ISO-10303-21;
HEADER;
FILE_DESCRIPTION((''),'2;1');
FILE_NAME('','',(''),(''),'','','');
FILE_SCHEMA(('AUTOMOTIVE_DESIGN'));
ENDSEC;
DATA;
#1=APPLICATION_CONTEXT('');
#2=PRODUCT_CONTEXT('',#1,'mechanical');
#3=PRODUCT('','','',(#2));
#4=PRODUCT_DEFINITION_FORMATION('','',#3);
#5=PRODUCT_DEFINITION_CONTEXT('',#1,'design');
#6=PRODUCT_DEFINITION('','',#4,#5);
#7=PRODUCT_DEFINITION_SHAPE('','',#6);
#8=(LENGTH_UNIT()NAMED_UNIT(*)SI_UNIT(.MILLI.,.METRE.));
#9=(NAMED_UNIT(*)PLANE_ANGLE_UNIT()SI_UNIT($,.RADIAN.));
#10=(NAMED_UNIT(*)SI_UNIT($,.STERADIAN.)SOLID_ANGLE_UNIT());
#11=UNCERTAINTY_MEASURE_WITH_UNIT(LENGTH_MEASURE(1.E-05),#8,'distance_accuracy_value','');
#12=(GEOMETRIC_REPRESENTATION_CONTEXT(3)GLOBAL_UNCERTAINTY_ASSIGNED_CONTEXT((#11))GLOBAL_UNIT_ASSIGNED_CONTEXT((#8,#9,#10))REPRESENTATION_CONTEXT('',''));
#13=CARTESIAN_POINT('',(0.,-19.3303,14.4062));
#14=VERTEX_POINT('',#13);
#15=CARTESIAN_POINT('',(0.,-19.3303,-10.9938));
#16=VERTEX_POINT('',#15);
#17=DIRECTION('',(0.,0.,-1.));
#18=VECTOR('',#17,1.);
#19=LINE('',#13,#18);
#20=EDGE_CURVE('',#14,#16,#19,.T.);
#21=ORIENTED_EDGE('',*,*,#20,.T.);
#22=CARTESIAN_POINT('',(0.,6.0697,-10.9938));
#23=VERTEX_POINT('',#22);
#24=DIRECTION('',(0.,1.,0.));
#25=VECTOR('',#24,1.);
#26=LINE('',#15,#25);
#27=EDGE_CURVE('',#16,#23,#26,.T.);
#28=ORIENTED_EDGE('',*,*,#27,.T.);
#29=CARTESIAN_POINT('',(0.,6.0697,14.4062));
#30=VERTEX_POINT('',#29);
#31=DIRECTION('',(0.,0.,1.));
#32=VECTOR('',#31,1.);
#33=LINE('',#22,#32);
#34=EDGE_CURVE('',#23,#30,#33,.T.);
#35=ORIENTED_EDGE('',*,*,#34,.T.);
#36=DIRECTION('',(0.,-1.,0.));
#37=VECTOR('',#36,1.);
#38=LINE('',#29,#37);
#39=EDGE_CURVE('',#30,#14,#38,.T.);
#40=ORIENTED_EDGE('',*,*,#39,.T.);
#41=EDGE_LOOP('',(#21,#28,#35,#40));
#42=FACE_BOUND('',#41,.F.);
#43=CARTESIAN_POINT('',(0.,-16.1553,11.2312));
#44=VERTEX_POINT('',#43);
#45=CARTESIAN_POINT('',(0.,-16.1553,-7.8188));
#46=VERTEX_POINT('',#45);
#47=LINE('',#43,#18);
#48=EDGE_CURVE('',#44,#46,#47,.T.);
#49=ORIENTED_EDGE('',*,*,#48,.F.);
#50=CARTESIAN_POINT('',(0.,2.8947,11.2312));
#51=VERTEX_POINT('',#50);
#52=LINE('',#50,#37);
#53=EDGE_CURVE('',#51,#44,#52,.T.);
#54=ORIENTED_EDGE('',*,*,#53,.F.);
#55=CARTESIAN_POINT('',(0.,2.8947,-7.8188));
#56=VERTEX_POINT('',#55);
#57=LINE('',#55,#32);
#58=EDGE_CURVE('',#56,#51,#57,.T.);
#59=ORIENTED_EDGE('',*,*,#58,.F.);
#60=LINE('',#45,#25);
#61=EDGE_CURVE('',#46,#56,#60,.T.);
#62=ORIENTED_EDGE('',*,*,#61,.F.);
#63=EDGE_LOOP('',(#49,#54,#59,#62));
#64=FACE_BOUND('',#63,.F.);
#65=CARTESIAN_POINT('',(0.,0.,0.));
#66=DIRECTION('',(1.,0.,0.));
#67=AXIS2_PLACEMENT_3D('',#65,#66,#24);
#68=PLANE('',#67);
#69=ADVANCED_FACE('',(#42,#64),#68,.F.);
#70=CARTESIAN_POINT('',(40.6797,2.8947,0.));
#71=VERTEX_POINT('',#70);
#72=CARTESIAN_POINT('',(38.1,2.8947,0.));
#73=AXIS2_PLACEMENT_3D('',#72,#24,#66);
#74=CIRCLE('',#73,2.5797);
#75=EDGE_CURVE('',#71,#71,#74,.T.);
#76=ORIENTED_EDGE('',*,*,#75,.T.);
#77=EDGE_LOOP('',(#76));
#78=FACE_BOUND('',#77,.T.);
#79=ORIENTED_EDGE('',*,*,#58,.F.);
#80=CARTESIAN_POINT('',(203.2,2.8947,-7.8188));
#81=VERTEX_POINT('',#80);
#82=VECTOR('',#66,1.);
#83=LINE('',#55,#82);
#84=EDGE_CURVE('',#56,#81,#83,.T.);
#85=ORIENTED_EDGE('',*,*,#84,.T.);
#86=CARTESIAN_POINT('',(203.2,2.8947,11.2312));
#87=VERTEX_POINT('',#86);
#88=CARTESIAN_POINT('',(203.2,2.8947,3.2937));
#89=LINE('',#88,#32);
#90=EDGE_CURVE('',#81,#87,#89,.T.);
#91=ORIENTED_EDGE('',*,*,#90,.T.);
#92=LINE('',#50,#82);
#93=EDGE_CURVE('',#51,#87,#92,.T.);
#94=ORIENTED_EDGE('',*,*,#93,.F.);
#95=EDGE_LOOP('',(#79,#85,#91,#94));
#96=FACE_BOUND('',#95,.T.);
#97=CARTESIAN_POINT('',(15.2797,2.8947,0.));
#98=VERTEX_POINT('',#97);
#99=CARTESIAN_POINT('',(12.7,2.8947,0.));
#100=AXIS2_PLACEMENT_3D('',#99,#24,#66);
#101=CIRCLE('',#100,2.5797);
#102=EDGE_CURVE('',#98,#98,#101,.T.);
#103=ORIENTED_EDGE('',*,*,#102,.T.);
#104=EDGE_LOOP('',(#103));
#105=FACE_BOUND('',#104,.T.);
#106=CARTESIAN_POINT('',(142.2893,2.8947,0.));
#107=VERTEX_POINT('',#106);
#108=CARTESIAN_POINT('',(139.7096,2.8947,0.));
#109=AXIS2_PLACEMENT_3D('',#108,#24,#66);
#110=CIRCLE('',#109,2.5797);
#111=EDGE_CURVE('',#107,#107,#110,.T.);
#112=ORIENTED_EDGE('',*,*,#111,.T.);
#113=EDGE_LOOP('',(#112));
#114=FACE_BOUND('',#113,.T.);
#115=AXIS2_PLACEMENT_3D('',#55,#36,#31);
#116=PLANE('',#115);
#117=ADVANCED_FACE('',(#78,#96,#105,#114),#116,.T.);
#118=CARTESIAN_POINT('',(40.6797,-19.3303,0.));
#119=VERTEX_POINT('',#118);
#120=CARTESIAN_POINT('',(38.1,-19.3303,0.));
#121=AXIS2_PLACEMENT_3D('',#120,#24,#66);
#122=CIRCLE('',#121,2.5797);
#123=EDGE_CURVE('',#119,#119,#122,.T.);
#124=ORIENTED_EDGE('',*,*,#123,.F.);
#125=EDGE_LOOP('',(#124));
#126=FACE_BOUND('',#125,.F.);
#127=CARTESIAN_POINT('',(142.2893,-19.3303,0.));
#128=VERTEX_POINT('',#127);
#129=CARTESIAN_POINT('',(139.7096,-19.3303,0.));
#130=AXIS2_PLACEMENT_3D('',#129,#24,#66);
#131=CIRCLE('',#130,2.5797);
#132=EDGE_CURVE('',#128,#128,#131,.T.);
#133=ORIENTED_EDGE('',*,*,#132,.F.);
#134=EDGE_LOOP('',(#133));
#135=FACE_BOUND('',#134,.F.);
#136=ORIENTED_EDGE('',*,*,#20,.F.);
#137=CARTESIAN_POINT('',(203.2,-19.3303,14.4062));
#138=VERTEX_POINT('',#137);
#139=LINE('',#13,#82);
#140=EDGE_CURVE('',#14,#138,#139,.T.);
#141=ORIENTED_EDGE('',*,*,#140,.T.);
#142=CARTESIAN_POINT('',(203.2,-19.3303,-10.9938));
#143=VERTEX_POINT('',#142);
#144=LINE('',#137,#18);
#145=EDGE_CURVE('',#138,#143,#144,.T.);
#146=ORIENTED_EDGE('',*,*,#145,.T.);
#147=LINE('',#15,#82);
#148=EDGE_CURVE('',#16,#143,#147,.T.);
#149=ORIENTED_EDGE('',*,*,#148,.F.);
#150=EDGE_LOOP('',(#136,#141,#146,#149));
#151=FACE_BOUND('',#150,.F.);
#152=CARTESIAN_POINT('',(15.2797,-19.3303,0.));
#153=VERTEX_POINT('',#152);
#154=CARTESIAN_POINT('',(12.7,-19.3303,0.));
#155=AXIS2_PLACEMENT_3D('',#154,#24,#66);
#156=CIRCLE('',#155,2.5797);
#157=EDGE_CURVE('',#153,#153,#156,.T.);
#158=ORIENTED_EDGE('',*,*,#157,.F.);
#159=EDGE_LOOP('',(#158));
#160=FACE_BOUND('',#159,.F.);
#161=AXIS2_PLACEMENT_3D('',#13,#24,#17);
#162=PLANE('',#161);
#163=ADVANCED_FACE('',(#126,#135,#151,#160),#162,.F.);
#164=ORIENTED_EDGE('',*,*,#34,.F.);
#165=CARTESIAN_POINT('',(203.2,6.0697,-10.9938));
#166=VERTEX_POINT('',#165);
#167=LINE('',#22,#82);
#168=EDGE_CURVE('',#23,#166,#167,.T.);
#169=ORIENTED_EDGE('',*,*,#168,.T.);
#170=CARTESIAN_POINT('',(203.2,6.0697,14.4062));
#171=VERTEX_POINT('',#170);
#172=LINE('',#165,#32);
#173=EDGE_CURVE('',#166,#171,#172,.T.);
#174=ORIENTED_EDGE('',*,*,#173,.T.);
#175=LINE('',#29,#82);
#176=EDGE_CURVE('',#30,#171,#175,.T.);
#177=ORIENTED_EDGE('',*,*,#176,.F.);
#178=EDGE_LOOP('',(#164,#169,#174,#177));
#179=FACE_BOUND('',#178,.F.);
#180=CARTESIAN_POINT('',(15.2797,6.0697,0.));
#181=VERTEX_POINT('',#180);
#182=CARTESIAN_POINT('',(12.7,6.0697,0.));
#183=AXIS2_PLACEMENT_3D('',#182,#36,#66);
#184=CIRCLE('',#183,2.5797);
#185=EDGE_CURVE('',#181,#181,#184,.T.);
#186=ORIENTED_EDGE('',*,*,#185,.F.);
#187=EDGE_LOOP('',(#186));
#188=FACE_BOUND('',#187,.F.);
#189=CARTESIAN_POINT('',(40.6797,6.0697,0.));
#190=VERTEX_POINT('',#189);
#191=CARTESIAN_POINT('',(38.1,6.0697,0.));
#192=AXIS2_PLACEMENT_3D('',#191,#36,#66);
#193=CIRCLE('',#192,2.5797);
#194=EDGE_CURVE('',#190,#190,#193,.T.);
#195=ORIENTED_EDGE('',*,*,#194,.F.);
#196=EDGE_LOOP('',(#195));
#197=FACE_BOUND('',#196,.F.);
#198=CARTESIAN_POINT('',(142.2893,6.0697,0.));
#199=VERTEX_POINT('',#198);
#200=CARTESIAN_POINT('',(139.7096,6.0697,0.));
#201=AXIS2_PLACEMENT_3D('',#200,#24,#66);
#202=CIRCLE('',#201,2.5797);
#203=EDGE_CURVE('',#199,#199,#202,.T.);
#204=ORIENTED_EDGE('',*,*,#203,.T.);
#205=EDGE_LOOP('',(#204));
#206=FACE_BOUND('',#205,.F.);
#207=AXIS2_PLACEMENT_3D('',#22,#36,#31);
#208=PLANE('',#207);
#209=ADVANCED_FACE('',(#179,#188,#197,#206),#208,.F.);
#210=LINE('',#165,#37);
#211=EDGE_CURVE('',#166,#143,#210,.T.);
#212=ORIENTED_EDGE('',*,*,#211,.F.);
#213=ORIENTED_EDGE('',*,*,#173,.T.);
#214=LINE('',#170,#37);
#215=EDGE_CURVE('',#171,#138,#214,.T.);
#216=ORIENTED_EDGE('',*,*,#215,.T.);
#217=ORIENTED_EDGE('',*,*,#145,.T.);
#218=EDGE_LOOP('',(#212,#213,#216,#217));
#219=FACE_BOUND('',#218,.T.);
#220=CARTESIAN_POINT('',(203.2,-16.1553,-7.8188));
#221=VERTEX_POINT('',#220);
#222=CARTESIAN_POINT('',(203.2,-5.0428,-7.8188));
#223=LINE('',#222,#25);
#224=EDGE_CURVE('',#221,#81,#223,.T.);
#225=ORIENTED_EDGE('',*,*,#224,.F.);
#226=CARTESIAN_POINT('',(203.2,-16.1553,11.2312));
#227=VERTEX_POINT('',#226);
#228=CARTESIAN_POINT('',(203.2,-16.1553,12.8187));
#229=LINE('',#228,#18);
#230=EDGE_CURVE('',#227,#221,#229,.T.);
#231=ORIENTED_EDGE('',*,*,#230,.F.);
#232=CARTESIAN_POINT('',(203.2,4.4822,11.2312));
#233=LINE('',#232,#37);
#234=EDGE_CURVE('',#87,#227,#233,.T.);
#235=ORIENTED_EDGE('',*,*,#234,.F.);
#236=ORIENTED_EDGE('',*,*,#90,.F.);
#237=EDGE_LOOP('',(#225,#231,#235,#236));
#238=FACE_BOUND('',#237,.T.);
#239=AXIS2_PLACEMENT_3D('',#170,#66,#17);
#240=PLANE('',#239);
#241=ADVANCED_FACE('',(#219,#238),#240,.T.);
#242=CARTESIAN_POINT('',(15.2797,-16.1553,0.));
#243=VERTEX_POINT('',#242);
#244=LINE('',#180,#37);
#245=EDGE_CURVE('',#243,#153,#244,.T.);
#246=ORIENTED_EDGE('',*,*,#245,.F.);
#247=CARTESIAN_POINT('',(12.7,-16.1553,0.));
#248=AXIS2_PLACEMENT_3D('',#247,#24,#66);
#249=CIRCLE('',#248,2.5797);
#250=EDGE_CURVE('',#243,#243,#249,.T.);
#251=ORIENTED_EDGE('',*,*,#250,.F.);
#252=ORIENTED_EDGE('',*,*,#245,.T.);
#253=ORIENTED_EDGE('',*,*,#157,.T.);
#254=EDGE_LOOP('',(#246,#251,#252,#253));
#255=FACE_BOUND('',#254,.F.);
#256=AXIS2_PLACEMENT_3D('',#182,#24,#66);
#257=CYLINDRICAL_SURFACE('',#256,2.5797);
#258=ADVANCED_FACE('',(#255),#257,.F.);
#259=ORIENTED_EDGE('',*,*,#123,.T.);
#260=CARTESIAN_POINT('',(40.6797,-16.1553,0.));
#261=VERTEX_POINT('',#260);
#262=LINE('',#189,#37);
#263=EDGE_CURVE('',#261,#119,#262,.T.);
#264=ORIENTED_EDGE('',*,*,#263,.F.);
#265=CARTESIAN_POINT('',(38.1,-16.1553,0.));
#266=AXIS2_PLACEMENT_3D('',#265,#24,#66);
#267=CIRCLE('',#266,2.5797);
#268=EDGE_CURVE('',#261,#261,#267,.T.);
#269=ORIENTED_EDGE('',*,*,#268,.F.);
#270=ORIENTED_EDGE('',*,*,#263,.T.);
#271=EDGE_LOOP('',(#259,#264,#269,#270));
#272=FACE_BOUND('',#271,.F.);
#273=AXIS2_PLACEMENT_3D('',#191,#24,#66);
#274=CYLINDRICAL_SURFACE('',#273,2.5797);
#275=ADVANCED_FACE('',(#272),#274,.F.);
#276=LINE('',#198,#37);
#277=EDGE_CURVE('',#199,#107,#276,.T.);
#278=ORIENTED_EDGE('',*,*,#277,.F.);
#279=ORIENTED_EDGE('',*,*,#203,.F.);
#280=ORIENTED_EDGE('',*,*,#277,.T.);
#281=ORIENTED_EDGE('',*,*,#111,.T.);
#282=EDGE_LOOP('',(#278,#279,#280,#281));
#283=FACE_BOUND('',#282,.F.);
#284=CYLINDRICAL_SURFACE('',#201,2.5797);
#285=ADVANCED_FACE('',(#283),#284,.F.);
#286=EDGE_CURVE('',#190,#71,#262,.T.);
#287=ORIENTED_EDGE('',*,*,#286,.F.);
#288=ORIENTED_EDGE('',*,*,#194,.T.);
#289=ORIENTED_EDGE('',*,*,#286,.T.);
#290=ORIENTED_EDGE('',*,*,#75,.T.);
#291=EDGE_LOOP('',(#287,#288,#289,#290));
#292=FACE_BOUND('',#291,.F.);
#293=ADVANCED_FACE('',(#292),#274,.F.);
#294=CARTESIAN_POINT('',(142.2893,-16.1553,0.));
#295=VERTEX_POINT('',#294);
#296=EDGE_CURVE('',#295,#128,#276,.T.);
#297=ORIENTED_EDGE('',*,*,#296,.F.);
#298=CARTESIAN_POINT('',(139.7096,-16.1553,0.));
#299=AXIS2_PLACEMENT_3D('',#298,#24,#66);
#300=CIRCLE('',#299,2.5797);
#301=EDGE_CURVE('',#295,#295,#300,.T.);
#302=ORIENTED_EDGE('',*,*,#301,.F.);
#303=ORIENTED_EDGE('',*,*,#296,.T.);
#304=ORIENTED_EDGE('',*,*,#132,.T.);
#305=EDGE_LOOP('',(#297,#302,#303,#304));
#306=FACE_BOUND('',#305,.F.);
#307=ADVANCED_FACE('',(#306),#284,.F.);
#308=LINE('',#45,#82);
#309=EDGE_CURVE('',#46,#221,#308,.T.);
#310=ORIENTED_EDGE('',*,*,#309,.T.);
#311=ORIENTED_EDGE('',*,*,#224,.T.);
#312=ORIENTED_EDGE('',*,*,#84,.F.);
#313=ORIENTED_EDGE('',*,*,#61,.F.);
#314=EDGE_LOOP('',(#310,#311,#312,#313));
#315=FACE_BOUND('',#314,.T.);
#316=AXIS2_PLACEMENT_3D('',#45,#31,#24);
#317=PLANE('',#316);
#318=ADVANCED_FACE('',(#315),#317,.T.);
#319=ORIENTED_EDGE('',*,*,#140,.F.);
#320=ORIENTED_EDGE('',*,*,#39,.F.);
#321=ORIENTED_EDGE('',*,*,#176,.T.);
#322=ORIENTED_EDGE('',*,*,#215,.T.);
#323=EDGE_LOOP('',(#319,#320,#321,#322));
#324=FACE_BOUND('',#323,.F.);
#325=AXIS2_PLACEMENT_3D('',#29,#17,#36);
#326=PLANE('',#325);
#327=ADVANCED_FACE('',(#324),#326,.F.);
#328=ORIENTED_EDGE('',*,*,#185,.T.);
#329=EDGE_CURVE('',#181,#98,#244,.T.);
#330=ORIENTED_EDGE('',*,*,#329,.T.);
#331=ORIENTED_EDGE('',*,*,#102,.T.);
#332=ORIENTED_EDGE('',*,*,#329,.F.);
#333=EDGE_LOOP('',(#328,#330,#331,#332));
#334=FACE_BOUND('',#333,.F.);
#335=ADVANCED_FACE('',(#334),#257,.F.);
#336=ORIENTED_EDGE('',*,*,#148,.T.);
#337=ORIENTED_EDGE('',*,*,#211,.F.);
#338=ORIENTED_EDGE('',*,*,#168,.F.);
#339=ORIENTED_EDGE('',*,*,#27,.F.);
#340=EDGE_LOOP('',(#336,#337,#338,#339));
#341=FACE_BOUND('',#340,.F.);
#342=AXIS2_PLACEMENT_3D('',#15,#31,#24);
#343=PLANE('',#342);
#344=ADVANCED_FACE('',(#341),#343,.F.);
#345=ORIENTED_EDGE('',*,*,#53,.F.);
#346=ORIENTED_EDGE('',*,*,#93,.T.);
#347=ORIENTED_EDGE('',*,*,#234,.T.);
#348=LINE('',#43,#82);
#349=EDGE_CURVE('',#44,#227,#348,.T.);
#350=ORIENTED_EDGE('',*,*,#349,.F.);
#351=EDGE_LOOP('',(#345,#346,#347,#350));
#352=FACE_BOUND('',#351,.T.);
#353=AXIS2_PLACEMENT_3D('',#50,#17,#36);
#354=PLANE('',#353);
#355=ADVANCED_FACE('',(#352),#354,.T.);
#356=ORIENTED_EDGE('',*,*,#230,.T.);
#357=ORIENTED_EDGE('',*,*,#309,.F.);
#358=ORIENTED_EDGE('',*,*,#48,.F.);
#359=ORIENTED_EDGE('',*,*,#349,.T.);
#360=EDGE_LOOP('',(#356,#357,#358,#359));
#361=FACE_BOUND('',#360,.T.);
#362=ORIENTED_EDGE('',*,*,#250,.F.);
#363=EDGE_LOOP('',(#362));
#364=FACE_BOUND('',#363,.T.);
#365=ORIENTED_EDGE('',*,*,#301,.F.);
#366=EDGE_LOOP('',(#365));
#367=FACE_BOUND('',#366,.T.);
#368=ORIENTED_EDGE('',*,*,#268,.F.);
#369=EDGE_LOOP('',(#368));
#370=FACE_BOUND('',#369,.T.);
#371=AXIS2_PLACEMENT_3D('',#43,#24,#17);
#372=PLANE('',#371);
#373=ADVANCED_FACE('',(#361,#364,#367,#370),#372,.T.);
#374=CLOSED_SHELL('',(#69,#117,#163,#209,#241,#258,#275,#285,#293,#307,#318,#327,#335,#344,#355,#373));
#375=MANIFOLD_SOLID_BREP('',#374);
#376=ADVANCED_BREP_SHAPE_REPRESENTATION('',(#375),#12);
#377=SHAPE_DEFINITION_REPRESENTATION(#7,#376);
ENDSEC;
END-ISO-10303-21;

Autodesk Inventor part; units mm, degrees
ref_plane "YZ Plane" through (0, 0, 0) normal (1, 0, 0) x (0, 1, 0)
ref_plane "XZ Plane" through (0, 0, 0) normal (0, 1, 0) x (-1, 0, 0)
ref_plane "XY Plane" through (0, 0, 0) normal (0, 0, 1) x (1, 0, 0)
sketch "Sketch1" plane through (0, 0, 0) normal (1, 0, 0) x (0, 1, 0)
  line L0 (6.0697, 14.4062) -> (-19.3303, 14.4062)
  line L1 (-19.3303, 14.4062) -> (-19.3303, -10.9938)
  line L2 (-19.3303, -10.9938) -> (6.0697, -10.9938)
  line L3 (6.0697, -10.9938) -> (6.0697, 14.4062)
  line L4 (2.8947, 11.2312) -> (-16.1553, 11.2312)
  line L5 (-16.1553, 11.2312) -> (-16.1553, -7.8188)
  line L6 (-16.1553, -7.8188) -> (2.8947, -7.8188)
  line L7 (2.8947, -7.8188) -> (2.8947, 11.2312)
  point P0 (0, 0)
  dimension "d0" = 25.4
  dimension "d1" = 25.4
  dimension "d2" = 3.175
extrude "Extrusion1" add sketch "Sketch1" along normal blind 304.8
sketch "Sketch2" plane through (0, 6.0697, 14.4062) normal (0, 1, 0) x (1, 0, 0)
  line L0 (0, 14.4062) -> (12.7, 14.4062)
  line L1 (12.7, 14.4062) -> (38.1, 14.4062)
  circle A0 centre (12.7, 14.4062) radius 2.5797
  circle A1 centre (38.1, 14.4062) radius 2.5797
  line L2 (304.8, 22.225) -> (304.8, 3.175) projected
  circle A2 centre (139.7096, 14.4062) radius 2.5797
  dimension "d5" = 12.7
  dimension "d6" = 25.4
  dimension "d7" = 5.1594
  dimension "d8" = 5.1594
  dimension "d13" = 5.1594
extrude "Extrusion3" cut sketch "Sketch2" against normal blind 304.8
sketch "Sketch3" plane through (0, 6.0697, 14.4062) normal (0, 1, 0) x (1, 0, 0)
  line L0 (304.8, 3.175) -> (304.8, 22.225) projected
  line L1 (304.8, 12.7) -> (203.2, 12.7)
  line L2 (0, 25.4) -> (304.8, 25.4) projected
  line L3 (0, 0) -> (304.8, 0) projected
  line L4 (203.2, 25.4) -> (304.8, 25.4)
  line L5 (304.8, 25.4) -> (304.8, 0)
  line L6 (304.8, 0) -> (203.2, 0)
  line L7 (203.2, 0) -> (203.2, 25.4)
  point P0 (0, 14.4062)
  dimension "d18" = 101.6
extrude "Extrusion4" cut sketch "Sketch3" against normal blind 304.8
properties part number "Tube Beam"
